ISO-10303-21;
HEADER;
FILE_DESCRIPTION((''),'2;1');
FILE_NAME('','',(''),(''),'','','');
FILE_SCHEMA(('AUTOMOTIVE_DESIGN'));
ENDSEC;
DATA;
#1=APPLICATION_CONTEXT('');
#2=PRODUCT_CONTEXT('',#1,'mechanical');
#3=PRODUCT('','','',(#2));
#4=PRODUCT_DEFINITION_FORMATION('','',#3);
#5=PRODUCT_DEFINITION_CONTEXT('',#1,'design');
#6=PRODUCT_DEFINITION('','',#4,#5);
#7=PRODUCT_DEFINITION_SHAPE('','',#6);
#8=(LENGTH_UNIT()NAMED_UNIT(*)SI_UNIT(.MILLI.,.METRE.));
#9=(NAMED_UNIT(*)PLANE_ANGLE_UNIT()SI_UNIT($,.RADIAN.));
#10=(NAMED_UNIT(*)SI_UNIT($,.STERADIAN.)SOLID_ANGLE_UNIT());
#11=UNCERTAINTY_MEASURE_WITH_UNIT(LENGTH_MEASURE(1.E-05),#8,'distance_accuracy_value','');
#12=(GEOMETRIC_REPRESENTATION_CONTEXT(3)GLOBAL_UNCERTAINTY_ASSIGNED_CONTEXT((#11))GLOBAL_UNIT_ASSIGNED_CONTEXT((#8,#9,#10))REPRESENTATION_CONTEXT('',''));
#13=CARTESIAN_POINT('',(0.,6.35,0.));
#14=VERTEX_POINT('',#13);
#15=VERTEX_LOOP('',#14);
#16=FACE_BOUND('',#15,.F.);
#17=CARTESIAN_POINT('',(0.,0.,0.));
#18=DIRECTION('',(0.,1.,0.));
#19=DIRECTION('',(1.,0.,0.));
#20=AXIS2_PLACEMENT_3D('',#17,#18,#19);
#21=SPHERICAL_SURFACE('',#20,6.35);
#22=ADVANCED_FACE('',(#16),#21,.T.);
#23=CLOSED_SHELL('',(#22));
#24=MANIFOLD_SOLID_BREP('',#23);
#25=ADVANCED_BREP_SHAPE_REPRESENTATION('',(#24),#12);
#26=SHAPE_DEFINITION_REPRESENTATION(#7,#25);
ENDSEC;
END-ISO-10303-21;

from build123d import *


with BuildPart() as part:
    # Sketch1 → Revolve2 (revolve)
    with BuildSketch(Plane.XY):
        with BuildLine():
            Line((0, 6.35), (0, -6.35))
            ThreePointArc((0, -6.35), (6.35, 0), (0, 6.35))
        make_face()
    revolve(axis=Axis((0, 6.35, 0), (0, -1, 0)))


solid = part.part
